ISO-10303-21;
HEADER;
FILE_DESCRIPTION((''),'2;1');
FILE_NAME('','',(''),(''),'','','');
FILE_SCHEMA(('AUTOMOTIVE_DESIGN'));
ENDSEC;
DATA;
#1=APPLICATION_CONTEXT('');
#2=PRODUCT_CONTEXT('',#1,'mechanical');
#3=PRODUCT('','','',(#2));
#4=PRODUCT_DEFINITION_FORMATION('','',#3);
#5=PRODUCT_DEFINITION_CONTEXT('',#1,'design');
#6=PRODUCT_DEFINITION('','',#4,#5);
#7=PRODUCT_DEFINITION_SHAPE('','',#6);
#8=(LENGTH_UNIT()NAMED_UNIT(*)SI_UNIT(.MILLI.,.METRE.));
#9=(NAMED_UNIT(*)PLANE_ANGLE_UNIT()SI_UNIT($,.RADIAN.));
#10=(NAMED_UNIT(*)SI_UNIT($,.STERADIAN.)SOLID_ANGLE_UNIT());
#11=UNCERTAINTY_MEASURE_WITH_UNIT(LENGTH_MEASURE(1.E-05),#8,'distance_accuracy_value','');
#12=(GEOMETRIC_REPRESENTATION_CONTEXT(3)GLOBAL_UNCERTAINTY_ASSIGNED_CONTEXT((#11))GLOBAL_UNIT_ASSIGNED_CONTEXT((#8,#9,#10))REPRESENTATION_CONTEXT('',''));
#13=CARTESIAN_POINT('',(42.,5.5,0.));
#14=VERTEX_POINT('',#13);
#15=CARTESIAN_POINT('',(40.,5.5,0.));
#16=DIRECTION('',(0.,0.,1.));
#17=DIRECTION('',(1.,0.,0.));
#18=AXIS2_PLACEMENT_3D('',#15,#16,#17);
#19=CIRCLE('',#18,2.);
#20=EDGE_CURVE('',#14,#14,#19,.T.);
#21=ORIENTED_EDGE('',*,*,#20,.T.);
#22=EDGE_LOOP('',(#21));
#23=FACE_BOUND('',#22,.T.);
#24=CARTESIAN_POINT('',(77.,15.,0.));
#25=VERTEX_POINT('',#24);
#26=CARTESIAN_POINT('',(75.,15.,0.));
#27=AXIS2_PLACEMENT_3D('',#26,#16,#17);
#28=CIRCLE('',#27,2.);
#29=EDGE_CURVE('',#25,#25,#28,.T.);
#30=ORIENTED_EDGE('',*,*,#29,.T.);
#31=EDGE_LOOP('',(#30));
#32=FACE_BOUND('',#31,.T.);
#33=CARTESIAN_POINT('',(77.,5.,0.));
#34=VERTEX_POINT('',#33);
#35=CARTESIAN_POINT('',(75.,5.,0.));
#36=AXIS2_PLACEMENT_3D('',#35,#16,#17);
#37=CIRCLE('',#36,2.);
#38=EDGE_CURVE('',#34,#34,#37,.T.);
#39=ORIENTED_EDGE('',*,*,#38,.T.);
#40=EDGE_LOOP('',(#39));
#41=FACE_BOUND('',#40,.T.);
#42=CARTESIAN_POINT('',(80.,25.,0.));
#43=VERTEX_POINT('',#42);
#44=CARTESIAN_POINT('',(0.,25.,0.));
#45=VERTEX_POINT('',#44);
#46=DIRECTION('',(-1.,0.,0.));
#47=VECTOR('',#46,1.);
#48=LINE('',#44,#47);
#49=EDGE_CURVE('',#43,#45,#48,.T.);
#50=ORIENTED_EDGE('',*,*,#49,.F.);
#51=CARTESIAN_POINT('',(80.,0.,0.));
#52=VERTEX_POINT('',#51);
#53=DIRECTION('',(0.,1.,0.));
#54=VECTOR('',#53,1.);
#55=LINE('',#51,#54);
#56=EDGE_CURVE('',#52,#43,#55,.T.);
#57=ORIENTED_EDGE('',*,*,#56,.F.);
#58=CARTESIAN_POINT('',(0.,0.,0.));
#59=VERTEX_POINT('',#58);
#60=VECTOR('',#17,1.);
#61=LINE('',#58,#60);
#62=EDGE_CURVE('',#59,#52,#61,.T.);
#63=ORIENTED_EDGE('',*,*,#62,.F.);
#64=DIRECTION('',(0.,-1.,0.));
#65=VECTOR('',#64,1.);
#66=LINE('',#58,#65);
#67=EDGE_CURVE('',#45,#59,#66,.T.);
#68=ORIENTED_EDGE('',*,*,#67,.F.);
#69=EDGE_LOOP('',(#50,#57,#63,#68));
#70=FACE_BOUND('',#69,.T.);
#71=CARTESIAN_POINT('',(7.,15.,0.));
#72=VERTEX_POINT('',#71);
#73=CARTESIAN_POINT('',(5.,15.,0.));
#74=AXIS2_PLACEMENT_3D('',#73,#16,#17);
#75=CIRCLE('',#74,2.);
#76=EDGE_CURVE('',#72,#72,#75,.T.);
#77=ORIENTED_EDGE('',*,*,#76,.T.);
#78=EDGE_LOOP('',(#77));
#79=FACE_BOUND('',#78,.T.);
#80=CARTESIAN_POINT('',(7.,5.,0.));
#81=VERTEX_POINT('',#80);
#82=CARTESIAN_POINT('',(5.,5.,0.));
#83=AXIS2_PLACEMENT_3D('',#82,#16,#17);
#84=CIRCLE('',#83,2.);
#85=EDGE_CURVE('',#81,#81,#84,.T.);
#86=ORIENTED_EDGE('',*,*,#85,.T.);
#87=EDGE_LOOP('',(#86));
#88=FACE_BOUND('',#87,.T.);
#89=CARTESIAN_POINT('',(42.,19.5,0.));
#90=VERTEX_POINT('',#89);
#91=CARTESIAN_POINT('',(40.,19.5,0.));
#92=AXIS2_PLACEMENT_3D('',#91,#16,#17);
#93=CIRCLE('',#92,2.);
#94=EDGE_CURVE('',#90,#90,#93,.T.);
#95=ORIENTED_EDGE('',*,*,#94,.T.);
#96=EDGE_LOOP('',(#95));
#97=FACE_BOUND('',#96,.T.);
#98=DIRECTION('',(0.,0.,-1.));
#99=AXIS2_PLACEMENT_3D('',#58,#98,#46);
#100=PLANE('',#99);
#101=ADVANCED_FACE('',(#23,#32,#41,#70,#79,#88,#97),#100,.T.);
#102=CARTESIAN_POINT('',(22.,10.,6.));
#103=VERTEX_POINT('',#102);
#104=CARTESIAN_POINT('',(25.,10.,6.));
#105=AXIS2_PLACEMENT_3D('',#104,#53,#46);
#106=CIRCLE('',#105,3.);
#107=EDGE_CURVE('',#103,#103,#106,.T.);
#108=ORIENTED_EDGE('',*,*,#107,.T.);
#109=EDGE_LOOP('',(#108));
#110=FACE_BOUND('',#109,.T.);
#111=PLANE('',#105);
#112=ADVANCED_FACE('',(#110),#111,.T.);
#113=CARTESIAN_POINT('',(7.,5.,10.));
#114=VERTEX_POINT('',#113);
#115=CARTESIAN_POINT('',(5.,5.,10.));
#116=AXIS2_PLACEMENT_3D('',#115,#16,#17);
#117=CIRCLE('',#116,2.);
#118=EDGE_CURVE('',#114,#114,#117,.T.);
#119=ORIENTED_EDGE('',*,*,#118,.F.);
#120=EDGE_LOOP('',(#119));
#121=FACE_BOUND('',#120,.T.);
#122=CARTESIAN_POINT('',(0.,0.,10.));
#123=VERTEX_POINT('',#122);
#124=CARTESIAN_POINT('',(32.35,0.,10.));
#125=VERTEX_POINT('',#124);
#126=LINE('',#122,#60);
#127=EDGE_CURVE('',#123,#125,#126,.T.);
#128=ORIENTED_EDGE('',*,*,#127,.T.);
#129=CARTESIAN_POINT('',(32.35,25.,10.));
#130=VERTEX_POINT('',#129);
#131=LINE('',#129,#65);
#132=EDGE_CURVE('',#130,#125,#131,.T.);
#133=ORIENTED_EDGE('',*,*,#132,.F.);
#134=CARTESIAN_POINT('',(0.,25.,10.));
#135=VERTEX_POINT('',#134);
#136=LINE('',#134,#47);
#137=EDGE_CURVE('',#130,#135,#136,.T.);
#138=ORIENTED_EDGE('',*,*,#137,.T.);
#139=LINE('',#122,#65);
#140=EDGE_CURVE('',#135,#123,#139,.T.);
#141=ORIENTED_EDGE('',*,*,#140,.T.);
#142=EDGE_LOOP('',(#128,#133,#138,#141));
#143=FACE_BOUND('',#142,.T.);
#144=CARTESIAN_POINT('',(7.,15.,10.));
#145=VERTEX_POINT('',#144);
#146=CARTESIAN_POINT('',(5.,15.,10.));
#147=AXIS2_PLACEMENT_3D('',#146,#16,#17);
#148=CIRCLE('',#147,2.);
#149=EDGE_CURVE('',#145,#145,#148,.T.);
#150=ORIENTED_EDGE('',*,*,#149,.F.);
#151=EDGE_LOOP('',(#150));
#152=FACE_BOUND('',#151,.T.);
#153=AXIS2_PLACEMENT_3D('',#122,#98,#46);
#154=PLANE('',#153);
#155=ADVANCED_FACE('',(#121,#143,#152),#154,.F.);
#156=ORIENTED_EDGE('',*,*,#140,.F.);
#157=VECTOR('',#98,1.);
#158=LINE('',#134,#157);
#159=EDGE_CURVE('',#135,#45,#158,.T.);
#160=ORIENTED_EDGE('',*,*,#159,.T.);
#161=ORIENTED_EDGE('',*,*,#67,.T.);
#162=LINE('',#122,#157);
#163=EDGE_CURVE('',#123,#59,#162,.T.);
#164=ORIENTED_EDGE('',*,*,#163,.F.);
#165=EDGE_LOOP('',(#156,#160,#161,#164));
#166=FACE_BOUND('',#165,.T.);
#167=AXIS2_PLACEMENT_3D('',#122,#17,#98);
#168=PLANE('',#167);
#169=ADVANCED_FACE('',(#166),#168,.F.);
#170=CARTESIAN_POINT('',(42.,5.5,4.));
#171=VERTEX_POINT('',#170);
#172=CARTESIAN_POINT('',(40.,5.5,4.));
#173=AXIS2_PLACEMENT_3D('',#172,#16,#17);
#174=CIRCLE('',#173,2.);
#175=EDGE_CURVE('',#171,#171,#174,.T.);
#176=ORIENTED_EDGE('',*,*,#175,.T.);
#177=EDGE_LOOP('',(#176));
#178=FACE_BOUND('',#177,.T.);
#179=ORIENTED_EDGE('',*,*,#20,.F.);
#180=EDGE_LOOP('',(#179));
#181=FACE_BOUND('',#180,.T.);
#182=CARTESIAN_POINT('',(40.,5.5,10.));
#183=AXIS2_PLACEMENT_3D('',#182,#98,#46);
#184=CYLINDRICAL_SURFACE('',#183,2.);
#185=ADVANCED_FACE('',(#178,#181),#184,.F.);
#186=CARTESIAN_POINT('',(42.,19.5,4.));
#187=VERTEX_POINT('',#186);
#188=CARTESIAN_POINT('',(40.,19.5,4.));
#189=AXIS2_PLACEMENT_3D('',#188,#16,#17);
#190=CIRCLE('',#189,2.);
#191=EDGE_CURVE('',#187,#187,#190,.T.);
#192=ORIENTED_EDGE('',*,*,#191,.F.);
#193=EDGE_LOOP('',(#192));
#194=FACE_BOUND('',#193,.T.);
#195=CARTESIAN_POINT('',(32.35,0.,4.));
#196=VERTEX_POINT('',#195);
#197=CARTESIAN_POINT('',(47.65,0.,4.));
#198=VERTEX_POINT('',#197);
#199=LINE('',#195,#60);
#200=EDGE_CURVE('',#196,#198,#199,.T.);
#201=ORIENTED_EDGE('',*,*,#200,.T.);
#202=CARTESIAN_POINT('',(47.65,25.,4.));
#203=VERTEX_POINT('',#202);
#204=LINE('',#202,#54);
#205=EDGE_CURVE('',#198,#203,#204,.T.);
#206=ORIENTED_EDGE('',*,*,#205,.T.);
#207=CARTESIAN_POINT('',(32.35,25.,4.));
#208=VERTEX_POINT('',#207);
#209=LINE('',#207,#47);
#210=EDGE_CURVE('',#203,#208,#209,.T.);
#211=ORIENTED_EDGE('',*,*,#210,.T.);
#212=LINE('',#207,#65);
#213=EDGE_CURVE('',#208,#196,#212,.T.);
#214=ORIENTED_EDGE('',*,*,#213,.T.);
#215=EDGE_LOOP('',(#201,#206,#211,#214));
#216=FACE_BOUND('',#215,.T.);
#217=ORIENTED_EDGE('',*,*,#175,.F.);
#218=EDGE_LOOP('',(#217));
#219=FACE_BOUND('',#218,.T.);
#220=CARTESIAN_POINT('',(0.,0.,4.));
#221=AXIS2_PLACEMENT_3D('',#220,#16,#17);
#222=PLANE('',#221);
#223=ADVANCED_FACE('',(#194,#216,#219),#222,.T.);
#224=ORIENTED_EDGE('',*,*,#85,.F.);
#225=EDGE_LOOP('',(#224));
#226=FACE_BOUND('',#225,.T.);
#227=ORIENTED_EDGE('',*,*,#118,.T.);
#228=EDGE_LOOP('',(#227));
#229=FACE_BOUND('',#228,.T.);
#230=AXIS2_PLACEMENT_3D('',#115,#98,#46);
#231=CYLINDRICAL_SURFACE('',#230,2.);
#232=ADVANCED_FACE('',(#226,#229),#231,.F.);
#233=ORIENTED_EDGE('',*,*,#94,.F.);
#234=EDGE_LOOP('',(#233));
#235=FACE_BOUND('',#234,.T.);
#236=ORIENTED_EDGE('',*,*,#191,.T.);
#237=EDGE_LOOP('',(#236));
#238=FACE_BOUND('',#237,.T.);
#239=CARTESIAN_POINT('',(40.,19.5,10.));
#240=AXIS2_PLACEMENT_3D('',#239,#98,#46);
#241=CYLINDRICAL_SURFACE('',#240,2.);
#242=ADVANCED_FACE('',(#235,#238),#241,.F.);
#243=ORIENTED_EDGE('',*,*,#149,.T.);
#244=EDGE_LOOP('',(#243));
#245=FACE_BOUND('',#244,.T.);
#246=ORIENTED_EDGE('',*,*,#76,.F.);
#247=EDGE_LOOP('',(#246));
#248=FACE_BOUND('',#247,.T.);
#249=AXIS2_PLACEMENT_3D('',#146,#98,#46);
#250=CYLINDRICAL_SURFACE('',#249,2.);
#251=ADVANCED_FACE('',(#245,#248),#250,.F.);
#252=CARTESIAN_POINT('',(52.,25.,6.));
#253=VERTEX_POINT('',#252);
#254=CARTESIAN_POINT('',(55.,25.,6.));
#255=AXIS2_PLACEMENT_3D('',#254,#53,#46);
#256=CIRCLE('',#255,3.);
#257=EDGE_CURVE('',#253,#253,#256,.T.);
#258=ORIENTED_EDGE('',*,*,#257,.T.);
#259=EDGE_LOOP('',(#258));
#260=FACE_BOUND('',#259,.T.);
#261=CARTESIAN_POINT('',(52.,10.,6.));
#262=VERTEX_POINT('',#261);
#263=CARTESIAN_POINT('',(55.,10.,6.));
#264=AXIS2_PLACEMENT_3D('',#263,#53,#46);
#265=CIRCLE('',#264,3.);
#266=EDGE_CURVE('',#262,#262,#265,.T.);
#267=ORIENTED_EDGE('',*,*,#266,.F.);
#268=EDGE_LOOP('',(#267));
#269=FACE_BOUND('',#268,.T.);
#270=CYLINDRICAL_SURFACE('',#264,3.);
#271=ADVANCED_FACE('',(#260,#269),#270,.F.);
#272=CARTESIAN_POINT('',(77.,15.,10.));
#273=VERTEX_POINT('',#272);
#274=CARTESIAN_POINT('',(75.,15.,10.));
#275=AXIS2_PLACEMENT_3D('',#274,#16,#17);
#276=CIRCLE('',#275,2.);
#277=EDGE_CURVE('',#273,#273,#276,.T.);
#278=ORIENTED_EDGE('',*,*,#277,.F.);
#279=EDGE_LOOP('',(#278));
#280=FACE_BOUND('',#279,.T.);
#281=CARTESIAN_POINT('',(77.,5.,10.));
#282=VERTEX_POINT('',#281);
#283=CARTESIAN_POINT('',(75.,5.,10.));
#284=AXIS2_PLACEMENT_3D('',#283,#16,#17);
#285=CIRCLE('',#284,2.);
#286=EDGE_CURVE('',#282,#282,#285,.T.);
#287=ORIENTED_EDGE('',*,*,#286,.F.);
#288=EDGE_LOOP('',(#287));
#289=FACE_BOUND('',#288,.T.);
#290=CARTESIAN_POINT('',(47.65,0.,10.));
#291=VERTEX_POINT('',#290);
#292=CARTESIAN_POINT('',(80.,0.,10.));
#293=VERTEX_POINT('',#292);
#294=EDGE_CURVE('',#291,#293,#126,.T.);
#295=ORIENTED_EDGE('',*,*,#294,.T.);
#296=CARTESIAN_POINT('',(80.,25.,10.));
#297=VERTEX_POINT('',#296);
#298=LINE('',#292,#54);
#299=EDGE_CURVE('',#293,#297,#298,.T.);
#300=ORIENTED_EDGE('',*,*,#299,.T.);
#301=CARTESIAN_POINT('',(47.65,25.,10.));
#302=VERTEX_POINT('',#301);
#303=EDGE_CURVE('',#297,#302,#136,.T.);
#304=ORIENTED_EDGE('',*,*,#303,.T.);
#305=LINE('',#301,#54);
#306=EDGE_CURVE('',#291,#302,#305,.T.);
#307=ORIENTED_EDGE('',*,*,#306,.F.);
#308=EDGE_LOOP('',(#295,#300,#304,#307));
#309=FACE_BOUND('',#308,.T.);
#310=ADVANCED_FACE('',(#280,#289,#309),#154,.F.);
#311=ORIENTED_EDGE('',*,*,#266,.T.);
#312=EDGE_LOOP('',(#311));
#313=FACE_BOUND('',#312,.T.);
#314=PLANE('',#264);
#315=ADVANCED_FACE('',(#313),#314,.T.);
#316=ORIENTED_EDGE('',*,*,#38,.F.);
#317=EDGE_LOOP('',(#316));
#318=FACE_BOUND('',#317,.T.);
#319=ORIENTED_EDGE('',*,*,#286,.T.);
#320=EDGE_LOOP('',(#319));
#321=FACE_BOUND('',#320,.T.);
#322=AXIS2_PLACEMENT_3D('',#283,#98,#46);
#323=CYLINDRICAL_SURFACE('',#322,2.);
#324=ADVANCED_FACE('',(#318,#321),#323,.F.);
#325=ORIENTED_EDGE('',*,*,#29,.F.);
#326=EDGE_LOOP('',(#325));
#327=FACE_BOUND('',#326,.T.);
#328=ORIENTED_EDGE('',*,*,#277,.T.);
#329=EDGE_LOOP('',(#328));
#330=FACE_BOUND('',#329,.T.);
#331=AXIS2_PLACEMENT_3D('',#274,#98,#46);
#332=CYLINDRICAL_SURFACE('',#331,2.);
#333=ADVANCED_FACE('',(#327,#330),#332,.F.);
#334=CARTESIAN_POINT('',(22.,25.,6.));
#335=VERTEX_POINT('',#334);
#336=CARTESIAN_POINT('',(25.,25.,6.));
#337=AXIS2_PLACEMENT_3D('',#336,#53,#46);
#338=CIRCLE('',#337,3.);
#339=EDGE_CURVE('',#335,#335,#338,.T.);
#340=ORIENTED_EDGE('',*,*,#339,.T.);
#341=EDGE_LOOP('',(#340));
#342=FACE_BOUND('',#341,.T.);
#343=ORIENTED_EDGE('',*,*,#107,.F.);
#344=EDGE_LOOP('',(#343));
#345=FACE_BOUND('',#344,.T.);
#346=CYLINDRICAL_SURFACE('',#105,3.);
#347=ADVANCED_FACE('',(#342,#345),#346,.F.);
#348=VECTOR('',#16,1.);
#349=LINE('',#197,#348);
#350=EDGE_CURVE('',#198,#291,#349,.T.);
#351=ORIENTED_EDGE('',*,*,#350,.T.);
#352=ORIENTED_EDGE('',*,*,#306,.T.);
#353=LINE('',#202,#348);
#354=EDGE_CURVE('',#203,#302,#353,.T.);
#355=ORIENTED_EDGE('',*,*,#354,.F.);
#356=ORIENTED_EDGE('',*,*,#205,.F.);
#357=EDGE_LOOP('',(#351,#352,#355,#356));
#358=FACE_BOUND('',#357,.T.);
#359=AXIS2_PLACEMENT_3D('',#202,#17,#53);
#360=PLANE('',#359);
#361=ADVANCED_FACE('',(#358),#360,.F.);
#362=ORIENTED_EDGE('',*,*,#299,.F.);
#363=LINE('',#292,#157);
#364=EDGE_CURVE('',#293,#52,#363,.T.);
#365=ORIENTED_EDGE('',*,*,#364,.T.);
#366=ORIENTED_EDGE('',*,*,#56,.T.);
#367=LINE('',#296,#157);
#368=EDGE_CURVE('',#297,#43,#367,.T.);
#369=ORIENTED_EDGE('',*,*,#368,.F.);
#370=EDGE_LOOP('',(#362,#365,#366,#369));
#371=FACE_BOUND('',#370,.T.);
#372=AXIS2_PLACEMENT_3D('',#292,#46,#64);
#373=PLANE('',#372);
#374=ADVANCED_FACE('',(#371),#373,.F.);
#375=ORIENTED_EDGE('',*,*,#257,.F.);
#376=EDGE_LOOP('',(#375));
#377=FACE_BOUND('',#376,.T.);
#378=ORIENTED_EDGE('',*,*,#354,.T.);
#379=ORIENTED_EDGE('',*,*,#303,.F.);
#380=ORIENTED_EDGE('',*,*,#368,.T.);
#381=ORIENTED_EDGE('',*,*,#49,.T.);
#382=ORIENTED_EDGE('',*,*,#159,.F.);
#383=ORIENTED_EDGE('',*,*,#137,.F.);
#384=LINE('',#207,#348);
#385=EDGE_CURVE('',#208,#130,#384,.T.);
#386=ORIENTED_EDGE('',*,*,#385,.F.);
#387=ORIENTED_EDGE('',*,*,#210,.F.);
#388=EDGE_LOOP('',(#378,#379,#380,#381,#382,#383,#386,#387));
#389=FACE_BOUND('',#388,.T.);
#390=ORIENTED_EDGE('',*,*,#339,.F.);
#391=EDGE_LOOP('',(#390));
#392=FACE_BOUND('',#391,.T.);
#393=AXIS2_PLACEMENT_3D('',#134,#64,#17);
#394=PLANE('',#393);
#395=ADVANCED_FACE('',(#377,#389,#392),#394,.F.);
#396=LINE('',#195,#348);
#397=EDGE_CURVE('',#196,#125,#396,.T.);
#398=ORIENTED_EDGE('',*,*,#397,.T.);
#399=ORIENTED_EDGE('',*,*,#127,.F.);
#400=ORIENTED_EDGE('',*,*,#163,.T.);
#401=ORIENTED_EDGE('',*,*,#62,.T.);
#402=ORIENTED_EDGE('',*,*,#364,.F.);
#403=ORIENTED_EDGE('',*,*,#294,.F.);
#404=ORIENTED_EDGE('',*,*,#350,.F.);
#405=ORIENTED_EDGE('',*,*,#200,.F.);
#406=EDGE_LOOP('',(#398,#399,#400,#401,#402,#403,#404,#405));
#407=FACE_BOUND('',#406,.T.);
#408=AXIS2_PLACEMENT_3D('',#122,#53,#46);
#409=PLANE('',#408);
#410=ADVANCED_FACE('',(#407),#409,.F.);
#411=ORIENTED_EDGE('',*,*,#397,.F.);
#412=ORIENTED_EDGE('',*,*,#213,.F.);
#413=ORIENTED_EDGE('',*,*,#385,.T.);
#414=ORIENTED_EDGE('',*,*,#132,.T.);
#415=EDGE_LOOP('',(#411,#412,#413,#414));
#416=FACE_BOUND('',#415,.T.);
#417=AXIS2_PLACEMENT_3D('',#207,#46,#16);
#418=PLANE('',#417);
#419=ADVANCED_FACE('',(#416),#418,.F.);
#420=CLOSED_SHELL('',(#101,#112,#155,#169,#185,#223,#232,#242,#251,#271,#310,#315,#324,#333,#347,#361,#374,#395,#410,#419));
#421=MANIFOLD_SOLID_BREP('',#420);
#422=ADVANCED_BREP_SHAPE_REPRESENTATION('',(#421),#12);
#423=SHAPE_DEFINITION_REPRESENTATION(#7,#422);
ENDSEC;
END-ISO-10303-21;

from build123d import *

# Parameters (mm, degrees)
ESQUISSE1_W             = 80
ESQUISSE1_H             = 25
ESQUISSE1_R             = 2
BOSS_EXTRU_1_DEPTH      = 10
ESQUISSE2_W             = 15.3
ESQUISSE2_H             = 25
ENL_V_MAT_EXTRU_1_DEPTH = 6
ESQUISSE3_R             = 3
ENL_V_MAT_EXTRU_2_DEPTH = 15


with BuildPart() as part:
    # Esquisse1 → Boss.-Extru.1 (new body)
    with BuildSketch(Plane.XY):
        with Locations((40, 12.5)):
            Rectangle(ESQUISSE1_W, ESQUISSE1_H)
        with Locations((5, 15)):
            Circle(ESQUISSE1_R, mode=Mode.SUBTRACT)
        with Locations((5, 5)):
            Circle(ESQUISSE1_R, mode=Mode.SUBTRACT)
        with Locations((75, 15)):
            Circle(ESQUISSE1_R, mode=Mode.SUBTRACT)
        with Locations((75, 5)):
            Circle(ESQUISSE1_R, mode=Mode.SUBTRACT)
        with Locations((40, 19.5)):
            Circle(ESQUISSE1_R, mode=Mode.SUBTRACT)
        with Locations((40, 5.5)):
            Circle(ESQUISSE1_R, mode=Mode.SUBTRACT)
    extrude(amount=BOSS_EXTRU_1_DEPTH)

    # Esquisse2 → Enlèv. mat.-Extru.1 (cut)
    with BuildSketch(Plane.XY.offset(10)):
        with Locations((40, 12.5)):
            Rectangle(ESQUISSE2_W, ESQUISSE2_H)
    extrude(amount=-ENL_V_MAT_EXTRU_1_DEPTH, mode=Mode.SUBTRACT)

    # Esquisse3 → Enlèv. mat.-Extru.2 (cut)
    with BuildSketch(Plane(origin=(0, 25, 0), x_dir=(1, 0, 0), z_dir=(0, 1, 0))):
        with Locations(Location((55, -6, 0), (0, 0, 180))):
            Circle(ESQUISSE3_R)
        with Locations(Location((25, -6, 0), (0, 0, 180))):
            Circle(ESQUISSE3_R)
    extrude(amount=-ENL_V_MAT_EXTRU_2_DEPTH, mode=Mode.SUBTRACT)


solid = part.part
